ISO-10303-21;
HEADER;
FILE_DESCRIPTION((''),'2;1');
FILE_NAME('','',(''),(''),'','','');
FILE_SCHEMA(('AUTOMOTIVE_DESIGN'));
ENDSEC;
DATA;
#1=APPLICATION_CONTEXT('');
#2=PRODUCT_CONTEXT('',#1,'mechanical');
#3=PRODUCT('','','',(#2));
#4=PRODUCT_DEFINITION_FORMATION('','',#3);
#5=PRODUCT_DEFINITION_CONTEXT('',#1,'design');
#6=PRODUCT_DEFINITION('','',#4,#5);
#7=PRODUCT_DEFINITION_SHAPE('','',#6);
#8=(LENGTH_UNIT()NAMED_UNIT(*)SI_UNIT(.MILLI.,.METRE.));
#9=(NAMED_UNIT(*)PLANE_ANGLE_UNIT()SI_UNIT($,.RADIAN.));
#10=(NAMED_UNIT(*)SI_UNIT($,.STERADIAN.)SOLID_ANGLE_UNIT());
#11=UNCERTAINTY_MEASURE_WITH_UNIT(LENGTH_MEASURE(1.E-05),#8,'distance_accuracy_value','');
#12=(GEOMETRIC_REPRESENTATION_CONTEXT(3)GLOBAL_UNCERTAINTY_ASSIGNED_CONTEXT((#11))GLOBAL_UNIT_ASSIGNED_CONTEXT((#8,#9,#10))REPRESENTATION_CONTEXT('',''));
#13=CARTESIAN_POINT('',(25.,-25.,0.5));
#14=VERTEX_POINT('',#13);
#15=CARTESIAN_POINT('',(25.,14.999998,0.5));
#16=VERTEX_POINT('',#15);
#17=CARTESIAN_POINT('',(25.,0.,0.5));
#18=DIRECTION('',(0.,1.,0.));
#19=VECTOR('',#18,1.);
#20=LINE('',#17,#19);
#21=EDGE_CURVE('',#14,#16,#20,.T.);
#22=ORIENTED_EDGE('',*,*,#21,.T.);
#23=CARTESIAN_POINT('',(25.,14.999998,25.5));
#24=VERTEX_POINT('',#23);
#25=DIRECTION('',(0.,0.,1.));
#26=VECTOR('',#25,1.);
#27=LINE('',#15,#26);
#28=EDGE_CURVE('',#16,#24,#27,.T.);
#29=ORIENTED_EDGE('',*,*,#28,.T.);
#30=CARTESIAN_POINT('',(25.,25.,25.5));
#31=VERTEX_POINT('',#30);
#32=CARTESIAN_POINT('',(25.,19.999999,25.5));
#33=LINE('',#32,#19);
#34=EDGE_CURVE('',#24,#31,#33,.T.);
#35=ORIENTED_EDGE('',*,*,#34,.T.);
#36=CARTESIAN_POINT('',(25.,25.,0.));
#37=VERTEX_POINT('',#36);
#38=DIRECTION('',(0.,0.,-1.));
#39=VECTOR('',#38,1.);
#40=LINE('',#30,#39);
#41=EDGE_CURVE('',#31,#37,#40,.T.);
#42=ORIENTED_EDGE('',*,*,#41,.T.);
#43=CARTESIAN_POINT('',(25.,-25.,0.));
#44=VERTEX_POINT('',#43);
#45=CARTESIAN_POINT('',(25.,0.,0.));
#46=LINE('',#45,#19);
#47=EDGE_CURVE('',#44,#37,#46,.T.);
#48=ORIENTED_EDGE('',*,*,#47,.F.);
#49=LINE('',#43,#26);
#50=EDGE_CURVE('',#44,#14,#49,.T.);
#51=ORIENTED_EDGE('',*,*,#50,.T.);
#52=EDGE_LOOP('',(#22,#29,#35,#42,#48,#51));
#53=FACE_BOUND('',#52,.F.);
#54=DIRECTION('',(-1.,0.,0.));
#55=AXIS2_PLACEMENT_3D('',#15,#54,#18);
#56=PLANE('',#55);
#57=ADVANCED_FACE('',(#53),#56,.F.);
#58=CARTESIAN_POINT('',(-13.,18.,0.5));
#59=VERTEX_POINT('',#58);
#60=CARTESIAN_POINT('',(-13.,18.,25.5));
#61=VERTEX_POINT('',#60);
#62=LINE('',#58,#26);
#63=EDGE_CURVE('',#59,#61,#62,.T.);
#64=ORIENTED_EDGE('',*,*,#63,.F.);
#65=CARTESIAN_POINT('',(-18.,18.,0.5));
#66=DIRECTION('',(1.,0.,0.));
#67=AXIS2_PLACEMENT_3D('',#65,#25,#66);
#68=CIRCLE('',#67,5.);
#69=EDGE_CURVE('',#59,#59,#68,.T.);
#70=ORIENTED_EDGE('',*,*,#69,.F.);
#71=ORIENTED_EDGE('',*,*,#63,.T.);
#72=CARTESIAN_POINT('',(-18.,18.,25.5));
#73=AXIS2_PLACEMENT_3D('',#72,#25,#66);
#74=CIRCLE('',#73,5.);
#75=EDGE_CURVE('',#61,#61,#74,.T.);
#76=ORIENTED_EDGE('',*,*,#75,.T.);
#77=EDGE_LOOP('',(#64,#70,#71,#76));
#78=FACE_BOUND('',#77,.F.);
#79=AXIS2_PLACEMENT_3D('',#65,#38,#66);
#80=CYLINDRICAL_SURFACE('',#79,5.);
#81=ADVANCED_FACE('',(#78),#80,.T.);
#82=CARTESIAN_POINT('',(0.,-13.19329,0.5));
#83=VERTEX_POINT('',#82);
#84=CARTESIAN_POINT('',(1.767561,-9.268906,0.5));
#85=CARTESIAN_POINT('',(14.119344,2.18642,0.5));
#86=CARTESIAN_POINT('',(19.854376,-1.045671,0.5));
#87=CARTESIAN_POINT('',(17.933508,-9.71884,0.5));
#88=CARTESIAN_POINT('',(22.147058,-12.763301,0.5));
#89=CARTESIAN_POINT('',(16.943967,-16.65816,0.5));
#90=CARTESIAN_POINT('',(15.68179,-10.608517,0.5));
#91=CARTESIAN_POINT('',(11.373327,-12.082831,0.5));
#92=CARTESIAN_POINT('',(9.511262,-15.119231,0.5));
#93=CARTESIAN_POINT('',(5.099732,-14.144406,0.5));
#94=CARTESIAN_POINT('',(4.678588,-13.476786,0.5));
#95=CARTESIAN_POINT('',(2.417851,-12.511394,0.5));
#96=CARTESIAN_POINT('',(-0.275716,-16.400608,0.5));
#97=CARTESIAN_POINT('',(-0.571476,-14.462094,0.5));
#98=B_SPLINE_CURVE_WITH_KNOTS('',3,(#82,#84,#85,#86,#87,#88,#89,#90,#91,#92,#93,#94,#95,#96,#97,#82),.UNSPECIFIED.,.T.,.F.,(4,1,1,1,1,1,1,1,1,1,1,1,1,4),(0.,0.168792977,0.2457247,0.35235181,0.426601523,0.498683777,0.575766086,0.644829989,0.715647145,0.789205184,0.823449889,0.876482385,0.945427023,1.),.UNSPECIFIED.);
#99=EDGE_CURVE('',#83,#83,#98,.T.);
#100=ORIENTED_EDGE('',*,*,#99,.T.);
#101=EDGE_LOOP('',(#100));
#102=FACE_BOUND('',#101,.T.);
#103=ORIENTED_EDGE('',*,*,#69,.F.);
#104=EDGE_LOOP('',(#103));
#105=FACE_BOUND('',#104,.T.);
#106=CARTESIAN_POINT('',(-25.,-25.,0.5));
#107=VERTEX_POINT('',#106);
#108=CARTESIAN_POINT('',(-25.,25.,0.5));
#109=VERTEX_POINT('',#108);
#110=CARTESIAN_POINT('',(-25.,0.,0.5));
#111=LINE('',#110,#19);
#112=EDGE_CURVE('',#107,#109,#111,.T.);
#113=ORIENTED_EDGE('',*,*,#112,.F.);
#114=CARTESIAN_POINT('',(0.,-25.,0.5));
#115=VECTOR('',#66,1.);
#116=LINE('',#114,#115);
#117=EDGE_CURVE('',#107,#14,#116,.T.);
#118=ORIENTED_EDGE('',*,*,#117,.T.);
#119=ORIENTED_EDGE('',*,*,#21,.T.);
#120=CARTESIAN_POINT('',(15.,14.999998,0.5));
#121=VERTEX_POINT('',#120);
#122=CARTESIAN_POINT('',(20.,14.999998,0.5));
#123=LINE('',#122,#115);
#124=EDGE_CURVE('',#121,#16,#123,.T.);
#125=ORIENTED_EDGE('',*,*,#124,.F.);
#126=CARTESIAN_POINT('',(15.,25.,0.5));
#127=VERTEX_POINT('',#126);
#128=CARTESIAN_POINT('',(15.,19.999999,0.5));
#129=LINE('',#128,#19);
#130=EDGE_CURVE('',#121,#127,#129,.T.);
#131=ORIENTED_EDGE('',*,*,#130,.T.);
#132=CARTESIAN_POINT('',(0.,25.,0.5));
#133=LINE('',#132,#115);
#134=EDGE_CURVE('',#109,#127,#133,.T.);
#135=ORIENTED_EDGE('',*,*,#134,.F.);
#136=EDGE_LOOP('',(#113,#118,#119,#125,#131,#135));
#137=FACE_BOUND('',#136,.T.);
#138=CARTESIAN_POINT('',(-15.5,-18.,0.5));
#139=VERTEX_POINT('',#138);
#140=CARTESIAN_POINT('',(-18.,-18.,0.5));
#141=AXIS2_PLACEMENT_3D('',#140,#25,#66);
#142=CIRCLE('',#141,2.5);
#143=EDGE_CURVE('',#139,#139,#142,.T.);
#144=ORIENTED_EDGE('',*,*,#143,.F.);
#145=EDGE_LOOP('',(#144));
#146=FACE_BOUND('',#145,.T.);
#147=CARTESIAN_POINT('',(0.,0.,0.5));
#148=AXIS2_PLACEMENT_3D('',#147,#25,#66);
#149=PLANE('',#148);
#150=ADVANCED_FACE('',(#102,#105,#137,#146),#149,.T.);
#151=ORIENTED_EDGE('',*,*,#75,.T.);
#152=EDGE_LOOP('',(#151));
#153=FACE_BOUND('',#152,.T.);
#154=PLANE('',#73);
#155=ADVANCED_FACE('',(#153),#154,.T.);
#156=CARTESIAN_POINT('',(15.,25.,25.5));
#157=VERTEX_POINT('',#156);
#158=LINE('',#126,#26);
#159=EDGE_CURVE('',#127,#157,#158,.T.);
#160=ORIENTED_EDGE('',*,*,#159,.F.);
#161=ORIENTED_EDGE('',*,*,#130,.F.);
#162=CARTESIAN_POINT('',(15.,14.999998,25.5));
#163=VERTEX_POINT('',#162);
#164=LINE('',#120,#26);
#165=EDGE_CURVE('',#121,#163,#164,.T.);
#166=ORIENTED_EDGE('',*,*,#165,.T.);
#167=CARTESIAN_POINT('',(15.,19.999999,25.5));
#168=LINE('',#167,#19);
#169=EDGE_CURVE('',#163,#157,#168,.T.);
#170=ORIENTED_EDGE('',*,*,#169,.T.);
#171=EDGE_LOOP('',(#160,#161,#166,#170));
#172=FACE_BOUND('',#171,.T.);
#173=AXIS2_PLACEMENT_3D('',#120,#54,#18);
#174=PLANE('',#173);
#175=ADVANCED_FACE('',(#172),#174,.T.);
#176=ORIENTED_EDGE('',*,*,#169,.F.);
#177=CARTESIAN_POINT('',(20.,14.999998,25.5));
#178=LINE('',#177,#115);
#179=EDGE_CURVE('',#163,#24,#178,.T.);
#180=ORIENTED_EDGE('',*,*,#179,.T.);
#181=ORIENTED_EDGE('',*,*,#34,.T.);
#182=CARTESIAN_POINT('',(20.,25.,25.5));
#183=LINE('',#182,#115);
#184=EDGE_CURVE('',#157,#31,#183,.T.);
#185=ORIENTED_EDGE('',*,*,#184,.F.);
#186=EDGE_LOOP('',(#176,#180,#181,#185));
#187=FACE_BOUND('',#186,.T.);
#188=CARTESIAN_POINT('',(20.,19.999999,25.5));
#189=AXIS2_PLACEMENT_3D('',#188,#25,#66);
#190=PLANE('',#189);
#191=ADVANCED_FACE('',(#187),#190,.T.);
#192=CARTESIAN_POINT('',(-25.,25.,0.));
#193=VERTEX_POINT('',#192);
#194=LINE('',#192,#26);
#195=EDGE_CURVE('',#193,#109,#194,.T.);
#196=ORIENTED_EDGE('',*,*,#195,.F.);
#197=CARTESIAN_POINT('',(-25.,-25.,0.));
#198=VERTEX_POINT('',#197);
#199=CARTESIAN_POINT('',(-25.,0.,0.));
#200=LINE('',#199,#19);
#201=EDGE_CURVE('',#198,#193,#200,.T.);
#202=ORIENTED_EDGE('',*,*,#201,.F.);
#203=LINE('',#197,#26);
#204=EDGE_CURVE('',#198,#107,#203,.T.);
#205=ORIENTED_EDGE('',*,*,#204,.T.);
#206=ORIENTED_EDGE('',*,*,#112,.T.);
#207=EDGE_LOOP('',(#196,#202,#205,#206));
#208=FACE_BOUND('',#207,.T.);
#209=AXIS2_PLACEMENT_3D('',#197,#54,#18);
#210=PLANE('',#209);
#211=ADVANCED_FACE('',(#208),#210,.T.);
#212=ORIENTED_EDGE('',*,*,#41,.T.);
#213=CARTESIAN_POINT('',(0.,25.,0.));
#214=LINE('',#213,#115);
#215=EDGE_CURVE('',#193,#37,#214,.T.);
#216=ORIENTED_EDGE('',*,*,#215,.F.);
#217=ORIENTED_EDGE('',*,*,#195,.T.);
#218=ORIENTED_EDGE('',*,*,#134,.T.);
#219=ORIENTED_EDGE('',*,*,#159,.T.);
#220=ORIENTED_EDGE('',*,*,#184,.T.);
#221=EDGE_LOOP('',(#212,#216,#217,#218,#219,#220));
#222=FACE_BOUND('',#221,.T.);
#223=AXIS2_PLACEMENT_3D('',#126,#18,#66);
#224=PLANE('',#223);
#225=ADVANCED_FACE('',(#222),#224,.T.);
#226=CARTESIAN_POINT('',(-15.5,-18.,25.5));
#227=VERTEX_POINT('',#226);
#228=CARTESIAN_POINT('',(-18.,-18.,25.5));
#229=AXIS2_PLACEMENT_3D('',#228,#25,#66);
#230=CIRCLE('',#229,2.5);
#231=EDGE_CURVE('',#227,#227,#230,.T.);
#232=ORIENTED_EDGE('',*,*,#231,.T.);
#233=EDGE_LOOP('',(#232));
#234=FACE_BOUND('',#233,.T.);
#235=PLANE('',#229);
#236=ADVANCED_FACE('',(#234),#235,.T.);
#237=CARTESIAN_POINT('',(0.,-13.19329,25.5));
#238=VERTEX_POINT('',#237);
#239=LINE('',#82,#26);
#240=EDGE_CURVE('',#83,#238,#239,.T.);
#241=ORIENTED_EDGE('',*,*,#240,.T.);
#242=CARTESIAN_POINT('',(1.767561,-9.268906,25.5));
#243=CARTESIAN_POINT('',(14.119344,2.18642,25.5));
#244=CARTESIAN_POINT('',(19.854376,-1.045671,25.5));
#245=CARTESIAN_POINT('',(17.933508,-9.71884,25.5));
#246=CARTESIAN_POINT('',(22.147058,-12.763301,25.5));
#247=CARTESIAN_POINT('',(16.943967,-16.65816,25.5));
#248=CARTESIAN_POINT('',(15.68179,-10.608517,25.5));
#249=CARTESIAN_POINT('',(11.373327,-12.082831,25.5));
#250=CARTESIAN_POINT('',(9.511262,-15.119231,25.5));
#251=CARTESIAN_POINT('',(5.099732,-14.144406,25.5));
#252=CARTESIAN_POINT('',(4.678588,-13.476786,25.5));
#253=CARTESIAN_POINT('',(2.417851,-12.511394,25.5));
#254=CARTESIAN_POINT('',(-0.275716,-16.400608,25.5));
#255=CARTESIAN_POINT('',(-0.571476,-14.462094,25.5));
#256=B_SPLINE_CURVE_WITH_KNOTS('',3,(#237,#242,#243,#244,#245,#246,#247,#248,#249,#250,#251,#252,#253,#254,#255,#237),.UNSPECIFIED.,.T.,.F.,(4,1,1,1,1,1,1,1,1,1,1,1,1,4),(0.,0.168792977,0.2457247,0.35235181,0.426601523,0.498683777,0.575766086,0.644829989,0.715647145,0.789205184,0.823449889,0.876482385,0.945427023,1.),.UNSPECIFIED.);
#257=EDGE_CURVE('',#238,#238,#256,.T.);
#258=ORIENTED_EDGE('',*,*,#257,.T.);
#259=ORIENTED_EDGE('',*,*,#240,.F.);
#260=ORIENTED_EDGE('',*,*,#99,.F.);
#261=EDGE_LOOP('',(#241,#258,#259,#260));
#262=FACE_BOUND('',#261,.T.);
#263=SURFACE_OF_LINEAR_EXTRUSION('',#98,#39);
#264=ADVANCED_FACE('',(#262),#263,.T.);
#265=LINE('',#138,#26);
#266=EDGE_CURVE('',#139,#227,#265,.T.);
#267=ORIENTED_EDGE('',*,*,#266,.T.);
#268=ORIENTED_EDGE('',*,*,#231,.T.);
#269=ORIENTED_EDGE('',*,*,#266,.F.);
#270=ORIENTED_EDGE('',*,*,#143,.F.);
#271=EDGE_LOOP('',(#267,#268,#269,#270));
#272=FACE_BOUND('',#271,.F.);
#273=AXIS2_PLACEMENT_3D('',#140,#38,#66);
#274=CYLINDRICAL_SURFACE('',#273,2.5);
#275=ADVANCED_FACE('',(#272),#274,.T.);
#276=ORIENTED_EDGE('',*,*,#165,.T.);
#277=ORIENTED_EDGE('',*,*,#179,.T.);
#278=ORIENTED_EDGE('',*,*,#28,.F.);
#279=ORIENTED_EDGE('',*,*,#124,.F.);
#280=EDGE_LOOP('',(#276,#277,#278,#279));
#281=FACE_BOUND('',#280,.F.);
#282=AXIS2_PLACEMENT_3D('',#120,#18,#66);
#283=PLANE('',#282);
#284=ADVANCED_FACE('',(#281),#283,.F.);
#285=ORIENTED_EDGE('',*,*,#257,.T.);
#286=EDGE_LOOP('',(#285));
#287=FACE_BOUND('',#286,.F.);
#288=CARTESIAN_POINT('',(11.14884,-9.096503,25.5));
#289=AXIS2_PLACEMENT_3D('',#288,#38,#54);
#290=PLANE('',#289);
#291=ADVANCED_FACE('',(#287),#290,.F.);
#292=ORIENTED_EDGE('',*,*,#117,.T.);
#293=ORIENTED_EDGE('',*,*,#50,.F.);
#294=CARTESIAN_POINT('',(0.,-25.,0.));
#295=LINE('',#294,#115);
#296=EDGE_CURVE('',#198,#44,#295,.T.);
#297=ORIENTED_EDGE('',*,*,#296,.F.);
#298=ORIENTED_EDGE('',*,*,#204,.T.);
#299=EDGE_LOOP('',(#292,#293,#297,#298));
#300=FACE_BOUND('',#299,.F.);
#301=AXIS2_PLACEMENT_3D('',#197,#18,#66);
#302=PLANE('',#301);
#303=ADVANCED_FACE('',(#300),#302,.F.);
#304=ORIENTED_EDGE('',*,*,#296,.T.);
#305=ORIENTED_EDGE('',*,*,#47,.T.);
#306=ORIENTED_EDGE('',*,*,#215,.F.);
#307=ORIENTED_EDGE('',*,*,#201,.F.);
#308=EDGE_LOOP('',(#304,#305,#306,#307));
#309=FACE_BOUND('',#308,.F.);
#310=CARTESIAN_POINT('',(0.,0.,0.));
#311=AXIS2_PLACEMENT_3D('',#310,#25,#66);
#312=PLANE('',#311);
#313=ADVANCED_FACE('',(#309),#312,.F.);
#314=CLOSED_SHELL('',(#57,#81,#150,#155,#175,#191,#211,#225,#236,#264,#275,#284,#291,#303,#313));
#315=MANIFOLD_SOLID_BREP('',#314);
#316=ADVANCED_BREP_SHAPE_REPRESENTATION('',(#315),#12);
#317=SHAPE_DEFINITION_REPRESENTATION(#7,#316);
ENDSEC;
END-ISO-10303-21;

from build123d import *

# Parameters (mm, degrees)
F0_W     = 50
F0_H     = 50
F1_DEPTH = 0.5
F2_R     = 5
F2_W     = 10
F2_H     = 10.000002239
F2_R_2   = 2.5
F3_DEPTH = 25


with BuildPart() as f1:
    # F0 (on Top) → F1 (new body)
    with BuildSketch(Plane.XY):
        Rectangle(F0_W, F0_H)
    extrude(amount=F1_DEPTH)

    # F2 (on face) → F3 (join)
    with BuildSketch(Plane.XY.offset(0.5)):
        with Locations((-18, 18)):
            Circle(F2_R)
        with Locations((20, 19.9999988805)):
            Rectangle(F2_W, F2_H)
        with BuildLine():
            add(Edge.make_bspline(
                [(0, -13.1932897493), (1.7675607873, -9.268906055), (14.1193443546, 2.1864196116), (19.8543764902, -1.0456712596), (17.9335084859, -9.7188399237), (22.1470584778, -12.7633005543), (16.9439665267, -16.6581599683), (15.681789699, -10.6085168487), (11.3733273356, -12.082830511), (9.5112615625, -15.11923087), (5.0997315264, -14.144405839), (4.6785881151, -13.4767863892), (2.41785148, -12.5113937672), (-0.2757159397, -16.4006083207), (-0.5714755138, -14.4620943098), (0, -13.1932897493)],
                knots=[0, 0, 0, 0, 0.168792977, 0.2457246999, 0.3523518097, 0.4266015228, 0.4986837768, 0.5757660856, 0.6448299888, 0.7156471455, 0.7892051841, 0.8234498893, 0.8764823849, 0.9454270235, 1, 1, 1, 1], degree=3))
        make_face()
        with Locations((-18, -18)):
            Circle(F2_R_2)
    extrude(amount=F3_DEPTH)


solid = f1.part
